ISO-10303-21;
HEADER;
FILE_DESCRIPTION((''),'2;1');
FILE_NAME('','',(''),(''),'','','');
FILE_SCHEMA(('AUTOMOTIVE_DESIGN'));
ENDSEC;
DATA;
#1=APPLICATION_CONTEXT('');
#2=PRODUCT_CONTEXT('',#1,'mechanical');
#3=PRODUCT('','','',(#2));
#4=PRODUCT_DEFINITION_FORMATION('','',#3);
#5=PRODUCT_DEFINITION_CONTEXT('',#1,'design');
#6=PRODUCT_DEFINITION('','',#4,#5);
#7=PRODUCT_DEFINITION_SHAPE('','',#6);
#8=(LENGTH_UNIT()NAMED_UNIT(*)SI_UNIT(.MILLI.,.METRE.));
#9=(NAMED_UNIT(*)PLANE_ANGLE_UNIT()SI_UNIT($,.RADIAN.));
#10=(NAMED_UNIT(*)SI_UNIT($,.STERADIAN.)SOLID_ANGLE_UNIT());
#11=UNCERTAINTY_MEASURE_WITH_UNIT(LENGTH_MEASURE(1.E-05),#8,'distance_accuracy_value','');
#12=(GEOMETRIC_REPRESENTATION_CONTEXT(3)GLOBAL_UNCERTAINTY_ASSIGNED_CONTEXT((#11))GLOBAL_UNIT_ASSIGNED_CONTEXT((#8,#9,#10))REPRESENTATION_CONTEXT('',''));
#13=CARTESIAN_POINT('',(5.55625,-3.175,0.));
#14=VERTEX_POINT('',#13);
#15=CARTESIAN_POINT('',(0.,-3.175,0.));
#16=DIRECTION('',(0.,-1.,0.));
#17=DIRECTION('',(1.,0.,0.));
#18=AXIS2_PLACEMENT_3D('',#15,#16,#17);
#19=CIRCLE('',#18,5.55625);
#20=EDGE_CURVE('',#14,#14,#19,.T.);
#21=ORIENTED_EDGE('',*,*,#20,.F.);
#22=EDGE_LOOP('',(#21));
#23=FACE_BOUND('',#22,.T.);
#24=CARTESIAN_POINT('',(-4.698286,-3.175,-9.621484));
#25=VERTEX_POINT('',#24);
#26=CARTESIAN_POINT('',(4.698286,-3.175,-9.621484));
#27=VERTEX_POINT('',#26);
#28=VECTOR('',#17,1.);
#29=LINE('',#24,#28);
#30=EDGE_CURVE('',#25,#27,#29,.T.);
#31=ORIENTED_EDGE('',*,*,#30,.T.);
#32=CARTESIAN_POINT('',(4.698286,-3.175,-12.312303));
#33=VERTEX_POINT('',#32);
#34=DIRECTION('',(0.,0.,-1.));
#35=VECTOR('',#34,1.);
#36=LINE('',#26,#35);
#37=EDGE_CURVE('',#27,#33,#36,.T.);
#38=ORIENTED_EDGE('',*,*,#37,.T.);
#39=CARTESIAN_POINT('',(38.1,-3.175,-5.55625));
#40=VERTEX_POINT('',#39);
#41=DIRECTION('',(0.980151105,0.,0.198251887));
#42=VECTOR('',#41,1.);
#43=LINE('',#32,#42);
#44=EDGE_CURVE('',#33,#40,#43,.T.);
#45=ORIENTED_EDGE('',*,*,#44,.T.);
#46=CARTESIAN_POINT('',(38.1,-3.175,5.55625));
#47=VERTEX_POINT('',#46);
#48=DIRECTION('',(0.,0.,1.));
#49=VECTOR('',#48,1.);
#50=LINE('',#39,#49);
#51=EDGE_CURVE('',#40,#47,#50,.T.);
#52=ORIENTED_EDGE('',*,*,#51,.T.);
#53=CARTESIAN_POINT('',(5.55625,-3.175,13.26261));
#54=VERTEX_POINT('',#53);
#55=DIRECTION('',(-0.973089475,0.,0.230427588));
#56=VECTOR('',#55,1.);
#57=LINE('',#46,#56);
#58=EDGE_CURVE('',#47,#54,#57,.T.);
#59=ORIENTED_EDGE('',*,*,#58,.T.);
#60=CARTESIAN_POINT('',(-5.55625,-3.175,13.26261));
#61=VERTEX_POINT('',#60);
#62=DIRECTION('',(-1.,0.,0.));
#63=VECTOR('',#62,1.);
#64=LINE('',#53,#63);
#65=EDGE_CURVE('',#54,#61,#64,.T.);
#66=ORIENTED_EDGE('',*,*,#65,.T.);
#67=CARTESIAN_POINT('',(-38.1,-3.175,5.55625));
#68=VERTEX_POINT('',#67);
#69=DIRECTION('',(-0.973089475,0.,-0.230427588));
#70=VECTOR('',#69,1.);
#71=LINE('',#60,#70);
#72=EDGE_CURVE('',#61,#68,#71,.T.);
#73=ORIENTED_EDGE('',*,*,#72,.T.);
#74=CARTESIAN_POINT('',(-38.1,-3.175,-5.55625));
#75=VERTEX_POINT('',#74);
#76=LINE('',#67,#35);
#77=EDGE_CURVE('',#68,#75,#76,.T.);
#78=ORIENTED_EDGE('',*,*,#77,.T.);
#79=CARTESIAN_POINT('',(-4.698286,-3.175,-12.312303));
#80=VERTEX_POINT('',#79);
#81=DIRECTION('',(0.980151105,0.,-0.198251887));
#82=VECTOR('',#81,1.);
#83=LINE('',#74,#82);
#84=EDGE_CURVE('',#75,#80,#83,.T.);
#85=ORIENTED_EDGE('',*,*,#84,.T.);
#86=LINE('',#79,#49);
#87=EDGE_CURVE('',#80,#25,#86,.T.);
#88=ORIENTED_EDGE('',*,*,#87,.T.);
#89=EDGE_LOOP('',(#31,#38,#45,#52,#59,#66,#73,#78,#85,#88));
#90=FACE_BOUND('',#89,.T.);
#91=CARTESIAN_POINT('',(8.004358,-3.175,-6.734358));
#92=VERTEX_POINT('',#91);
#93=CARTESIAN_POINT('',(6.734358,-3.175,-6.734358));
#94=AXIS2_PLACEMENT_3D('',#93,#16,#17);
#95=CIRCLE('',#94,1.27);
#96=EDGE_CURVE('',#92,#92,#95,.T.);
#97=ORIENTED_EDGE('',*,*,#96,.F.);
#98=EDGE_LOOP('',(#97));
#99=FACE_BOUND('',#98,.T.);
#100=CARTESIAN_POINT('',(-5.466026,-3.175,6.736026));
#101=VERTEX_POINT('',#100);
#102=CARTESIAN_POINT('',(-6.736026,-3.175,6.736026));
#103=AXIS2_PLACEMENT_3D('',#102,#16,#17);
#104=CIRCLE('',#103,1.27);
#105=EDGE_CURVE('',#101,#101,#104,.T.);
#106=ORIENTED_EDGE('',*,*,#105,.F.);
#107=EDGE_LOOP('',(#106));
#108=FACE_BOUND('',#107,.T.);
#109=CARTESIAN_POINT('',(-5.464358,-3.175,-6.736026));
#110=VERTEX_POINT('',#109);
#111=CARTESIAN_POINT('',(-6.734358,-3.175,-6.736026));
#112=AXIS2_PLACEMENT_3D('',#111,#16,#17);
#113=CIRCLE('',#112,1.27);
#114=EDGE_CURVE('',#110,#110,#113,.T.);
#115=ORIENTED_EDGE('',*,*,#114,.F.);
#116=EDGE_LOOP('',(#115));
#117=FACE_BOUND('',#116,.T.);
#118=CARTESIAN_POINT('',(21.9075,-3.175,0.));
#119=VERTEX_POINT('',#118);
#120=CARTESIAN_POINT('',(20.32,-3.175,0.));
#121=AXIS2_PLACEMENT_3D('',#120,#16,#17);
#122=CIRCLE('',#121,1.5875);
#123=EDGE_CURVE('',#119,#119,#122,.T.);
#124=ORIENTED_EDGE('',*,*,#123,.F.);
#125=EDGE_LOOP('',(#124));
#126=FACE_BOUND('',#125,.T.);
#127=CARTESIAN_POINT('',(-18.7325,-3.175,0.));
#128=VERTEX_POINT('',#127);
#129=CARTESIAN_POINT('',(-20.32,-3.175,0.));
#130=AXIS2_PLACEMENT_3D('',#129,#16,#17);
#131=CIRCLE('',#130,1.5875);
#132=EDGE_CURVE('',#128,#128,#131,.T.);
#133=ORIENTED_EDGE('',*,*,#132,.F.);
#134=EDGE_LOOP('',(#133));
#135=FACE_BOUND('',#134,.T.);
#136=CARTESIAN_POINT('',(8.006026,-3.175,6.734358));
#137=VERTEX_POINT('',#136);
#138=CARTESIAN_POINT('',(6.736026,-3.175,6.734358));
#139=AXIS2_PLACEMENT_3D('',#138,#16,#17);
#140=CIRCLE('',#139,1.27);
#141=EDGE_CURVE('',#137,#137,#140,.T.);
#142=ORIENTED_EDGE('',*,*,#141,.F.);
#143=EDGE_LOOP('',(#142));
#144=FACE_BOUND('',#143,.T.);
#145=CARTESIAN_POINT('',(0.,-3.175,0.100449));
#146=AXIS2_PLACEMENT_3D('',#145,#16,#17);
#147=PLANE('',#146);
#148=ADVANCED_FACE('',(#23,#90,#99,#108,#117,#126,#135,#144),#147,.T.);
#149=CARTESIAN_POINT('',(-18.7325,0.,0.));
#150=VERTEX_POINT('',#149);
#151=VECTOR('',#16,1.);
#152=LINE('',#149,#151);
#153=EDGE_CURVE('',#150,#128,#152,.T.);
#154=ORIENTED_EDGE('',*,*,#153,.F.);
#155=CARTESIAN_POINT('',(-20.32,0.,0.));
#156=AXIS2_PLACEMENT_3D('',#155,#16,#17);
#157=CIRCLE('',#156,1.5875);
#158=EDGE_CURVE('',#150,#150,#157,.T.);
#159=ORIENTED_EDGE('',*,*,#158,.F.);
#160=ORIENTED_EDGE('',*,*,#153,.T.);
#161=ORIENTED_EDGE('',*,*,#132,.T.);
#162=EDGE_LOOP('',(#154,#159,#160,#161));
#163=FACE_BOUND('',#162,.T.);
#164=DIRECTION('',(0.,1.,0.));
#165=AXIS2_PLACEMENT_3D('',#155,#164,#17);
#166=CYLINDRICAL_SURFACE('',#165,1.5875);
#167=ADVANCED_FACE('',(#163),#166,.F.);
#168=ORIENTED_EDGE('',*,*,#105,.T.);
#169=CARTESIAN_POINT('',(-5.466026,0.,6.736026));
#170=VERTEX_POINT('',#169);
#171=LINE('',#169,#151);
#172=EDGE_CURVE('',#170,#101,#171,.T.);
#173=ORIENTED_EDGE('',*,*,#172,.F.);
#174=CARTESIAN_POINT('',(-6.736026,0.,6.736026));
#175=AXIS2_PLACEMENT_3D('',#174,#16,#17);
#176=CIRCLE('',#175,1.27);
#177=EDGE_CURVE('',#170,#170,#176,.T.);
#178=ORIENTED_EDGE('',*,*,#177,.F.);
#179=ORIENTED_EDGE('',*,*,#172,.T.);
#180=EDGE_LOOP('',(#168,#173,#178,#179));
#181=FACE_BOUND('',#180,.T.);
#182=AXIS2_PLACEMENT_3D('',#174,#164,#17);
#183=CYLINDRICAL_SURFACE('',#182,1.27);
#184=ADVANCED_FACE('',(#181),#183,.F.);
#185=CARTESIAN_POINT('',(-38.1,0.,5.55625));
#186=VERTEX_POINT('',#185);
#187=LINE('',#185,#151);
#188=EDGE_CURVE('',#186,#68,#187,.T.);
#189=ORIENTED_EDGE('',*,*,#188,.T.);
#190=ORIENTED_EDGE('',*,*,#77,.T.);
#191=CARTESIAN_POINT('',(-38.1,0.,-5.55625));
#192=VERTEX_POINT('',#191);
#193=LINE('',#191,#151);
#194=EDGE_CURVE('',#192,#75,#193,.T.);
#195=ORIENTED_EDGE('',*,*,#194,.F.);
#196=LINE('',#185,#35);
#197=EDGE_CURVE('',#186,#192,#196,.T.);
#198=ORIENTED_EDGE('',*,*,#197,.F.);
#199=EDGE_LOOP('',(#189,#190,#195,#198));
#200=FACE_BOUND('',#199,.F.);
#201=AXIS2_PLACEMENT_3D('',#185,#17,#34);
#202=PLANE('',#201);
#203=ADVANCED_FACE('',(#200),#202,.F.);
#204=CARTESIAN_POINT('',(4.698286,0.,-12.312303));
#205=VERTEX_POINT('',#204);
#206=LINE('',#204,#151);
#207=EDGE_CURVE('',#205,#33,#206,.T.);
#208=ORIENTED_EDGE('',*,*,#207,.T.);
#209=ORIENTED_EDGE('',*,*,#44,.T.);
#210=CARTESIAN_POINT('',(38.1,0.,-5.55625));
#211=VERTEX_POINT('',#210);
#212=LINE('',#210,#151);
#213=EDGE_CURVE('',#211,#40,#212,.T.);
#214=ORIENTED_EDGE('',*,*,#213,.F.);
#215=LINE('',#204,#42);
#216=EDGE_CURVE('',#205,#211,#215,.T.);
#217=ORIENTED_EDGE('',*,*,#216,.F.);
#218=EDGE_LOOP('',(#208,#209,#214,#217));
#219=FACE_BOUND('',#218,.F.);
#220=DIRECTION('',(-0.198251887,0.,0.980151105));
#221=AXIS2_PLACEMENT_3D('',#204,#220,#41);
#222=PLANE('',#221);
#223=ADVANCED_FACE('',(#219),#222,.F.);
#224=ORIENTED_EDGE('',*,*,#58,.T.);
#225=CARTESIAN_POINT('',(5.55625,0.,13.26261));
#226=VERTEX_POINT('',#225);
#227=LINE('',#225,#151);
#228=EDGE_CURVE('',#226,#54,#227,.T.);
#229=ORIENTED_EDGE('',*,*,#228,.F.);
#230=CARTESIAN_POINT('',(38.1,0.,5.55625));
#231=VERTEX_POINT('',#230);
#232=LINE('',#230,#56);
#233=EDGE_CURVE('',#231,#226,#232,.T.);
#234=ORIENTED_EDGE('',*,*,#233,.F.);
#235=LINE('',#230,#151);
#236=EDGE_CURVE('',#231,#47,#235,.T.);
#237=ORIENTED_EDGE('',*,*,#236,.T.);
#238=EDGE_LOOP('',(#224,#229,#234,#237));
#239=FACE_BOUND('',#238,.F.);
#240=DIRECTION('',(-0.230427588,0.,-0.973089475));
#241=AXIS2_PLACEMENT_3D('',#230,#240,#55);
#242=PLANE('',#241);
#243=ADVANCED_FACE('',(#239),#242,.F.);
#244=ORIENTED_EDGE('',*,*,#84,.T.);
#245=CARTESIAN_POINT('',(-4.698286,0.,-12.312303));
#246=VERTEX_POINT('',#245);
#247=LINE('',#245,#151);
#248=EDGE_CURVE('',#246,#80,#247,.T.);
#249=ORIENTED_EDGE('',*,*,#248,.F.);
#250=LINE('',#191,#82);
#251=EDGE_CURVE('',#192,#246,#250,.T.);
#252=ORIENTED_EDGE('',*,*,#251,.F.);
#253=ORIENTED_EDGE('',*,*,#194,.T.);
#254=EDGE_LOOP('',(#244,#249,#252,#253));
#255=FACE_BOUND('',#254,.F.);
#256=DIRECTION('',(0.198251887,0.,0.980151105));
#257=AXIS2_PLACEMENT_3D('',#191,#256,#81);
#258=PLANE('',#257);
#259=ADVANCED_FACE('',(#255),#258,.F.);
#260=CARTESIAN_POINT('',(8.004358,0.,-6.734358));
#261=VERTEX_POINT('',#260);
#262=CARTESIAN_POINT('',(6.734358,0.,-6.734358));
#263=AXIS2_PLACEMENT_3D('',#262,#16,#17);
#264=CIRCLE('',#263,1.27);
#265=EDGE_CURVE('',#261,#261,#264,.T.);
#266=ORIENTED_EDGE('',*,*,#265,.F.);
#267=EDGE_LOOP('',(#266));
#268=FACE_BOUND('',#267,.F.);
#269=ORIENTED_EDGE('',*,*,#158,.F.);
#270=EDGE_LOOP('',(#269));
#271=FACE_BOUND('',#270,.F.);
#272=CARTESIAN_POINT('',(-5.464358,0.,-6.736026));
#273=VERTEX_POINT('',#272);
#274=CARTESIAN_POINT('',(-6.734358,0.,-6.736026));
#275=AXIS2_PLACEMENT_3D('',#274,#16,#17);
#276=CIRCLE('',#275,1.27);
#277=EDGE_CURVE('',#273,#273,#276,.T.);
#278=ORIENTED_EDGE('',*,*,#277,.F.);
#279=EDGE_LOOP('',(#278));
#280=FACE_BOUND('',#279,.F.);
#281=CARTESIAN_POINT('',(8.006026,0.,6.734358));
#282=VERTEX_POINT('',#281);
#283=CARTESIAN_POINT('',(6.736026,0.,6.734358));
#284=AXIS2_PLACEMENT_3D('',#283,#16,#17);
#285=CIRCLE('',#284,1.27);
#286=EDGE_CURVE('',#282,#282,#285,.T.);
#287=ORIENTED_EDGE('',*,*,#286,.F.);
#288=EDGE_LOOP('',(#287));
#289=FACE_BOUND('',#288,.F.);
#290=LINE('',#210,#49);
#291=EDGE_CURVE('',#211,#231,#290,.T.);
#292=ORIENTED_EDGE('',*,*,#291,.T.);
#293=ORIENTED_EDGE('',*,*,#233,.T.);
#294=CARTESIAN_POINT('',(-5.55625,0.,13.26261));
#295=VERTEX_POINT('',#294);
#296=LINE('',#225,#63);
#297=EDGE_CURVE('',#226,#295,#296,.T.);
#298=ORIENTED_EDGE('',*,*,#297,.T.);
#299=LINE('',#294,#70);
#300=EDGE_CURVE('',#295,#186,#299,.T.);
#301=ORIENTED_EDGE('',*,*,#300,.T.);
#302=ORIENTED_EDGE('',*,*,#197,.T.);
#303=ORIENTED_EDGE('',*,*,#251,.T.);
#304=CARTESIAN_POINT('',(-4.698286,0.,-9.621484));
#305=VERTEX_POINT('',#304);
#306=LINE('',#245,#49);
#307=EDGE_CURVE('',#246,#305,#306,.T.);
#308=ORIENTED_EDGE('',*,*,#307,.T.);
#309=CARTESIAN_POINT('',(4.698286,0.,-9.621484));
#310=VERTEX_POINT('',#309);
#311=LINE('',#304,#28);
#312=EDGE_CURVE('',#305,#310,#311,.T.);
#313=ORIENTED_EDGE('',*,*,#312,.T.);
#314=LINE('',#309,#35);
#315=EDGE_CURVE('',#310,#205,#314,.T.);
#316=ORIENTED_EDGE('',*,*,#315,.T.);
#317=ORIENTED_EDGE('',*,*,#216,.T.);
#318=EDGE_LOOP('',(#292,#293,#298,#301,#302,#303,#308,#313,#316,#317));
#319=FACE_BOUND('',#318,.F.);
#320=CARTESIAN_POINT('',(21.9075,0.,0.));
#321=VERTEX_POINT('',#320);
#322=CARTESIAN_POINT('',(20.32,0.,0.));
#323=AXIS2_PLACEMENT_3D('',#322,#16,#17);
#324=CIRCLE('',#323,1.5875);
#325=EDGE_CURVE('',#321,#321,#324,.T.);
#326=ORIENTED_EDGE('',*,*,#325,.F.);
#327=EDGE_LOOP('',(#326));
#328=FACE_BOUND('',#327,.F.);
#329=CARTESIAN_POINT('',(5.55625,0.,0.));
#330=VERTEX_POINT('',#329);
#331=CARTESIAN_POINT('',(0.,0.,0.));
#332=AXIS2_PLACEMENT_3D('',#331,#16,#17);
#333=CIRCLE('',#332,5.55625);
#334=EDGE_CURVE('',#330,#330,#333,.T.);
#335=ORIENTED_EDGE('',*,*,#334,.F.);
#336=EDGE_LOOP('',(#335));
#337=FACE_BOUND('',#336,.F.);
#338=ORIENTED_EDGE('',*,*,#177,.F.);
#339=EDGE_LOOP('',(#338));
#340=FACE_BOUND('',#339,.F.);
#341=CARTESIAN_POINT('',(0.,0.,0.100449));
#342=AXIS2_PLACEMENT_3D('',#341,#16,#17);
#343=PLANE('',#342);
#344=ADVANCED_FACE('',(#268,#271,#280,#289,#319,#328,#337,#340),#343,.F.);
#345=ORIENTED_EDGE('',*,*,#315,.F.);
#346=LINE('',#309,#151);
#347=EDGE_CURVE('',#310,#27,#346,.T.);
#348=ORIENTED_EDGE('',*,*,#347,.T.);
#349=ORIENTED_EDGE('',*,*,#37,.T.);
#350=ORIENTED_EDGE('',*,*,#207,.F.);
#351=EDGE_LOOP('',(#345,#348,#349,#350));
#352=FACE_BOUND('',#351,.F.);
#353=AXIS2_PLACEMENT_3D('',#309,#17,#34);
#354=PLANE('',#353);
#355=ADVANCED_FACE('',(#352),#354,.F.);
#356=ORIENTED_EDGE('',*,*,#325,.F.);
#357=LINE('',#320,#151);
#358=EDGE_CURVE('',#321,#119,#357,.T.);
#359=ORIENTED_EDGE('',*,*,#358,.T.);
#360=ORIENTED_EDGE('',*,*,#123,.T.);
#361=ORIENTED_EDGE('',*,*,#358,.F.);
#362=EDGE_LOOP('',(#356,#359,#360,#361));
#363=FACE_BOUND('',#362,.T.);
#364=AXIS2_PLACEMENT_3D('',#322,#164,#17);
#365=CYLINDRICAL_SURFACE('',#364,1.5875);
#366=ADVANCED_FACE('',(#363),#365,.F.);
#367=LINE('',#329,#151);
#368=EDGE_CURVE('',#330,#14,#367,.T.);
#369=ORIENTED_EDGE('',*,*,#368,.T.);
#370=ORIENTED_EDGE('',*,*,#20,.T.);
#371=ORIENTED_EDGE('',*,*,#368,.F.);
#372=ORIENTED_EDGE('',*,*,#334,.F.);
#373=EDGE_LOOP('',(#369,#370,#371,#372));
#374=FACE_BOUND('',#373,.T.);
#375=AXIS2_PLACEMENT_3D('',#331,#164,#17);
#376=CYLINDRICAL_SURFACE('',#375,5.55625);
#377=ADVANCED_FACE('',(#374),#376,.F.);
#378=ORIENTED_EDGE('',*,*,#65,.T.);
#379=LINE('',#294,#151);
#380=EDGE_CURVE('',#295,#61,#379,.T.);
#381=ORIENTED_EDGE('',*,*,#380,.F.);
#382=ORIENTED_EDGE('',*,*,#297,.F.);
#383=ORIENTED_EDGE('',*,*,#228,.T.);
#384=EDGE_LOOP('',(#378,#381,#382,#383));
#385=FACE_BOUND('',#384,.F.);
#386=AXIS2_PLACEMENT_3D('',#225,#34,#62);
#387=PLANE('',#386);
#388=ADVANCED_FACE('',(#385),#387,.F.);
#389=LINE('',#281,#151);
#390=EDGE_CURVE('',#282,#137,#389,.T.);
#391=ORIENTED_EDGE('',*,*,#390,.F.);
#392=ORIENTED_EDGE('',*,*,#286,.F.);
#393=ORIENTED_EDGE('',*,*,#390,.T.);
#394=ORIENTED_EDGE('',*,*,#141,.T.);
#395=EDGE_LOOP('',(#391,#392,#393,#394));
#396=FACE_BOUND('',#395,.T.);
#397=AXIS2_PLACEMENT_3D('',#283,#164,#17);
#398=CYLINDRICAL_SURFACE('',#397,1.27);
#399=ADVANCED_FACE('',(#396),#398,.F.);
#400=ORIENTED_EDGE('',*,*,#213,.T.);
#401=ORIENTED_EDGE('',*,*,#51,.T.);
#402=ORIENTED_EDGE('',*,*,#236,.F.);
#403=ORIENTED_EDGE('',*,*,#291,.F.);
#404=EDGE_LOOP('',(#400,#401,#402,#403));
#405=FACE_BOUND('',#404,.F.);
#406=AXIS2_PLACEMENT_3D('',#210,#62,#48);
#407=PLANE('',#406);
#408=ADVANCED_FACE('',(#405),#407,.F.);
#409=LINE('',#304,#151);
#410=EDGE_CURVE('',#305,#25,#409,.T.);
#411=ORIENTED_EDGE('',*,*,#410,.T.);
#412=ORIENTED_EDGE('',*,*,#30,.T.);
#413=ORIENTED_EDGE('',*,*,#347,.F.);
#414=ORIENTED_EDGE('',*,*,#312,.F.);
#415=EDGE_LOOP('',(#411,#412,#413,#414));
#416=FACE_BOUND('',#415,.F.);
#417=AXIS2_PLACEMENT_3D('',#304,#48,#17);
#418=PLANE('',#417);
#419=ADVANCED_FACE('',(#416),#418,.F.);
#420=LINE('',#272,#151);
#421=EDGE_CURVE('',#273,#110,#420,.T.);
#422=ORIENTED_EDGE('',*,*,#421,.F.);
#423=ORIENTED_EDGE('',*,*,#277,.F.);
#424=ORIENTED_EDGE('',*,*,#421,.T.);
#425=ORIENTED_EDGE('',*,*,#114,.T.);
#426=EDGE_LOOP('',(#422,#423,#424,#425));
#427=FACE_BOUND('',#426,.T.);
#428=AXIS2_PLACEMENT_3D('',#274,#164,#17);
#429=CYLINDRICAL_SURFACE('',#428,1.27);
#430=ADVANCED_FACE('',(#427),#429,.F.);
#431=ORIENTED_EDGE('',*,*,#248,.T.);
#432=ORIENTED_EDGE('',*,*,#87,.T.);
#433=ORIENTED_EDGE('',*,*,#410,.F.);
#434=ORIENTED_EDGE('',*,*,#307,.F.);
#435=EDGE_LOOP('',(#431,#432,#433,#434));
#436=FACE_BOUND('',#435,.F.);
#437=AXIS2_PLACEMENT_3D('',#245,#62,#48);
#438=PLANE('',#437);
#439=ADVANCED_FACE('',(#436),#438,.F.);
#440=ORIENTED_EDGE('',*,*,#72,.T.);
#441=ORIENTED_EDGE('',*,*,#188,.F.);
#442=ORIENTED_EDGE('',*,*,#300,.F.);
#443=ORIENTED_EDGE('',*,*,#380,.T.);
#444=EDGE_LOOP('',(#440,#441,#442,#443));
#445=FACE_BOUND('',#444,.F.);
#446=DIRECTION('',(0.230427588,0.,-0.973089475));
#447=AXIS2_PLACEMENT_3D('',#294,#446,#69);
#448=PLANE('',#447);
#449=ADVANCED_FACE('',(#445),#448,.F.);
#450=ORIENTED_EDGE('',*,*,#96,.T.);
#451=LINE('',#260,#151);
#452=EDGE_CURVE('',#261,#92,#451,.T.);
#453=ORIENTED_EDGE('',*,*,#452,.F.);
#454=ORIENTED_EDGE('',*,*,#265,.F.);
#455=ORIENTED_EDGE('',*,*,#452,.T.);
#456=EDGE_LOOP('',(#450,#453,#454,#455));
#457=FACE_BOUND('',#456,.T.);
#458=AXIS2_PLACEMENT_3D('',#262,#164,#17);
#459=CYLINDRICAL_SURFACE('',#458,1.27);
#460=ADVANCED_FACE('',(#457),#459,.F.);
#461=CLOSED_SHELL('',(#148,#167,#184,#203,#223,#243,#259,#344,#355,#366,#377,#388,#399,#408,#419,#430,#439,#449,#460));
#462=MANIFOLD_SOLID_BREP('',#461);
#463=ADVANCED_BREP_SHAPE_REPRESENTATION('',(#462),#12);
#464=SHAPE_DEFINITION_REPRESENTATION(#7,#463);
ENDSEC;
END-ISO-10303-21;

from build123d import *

# Parameters (mm, degrees)
F0_R     = 1.27
F0_R_2   = 1.5875
F0_R_3   = 5.55625
F1_DEPTH = 3.175


with BuildPart() as f1:
    # F0 (on Front) → F1 (new body)
    with BuildSketch(Plane.XZ):
        Polygon((4.698286, -12.312303), (38.1, -5.55625), (38.1, 5.55625), (5.55625, 13.26261), (-5.55625, 13.26261), (-38.1, 5.55625), (-38.1, -5.55625), (-4.698286, -12.312303), (-4.698286, -9.621484), (4.698286, -9.621484), align=None)
        with Locations((-6.734358, -6.736026)):
            Circle(F0_R, mode=Mode.SUBTRACT)
        with Locations((-20.32, 0)):
            Circle(F0_R_2, mode=Mode.SUBTRACT)
        with Locations((6.734358, -6.734358)):
            Circle(F0_R, mode=Mode.SUBTRACT)
        Circle(F0_R_3, mode=Mode.SUBTRACT)
        with Locations((20.32, 0)):
            Circle(F0_R_2, mode=Mode.SUBTRACT)
        with Locations((-6.736026, 6.736026)):
            Circle(F0_R, mode=Mode.SUBTRACT)
        with Locations((6.736026, 6.734358)):
            Circle(F0_R, mode=Mode.SUBTRACT)
    extrude(amount=F1_DEPTH)


solid = f1.part
